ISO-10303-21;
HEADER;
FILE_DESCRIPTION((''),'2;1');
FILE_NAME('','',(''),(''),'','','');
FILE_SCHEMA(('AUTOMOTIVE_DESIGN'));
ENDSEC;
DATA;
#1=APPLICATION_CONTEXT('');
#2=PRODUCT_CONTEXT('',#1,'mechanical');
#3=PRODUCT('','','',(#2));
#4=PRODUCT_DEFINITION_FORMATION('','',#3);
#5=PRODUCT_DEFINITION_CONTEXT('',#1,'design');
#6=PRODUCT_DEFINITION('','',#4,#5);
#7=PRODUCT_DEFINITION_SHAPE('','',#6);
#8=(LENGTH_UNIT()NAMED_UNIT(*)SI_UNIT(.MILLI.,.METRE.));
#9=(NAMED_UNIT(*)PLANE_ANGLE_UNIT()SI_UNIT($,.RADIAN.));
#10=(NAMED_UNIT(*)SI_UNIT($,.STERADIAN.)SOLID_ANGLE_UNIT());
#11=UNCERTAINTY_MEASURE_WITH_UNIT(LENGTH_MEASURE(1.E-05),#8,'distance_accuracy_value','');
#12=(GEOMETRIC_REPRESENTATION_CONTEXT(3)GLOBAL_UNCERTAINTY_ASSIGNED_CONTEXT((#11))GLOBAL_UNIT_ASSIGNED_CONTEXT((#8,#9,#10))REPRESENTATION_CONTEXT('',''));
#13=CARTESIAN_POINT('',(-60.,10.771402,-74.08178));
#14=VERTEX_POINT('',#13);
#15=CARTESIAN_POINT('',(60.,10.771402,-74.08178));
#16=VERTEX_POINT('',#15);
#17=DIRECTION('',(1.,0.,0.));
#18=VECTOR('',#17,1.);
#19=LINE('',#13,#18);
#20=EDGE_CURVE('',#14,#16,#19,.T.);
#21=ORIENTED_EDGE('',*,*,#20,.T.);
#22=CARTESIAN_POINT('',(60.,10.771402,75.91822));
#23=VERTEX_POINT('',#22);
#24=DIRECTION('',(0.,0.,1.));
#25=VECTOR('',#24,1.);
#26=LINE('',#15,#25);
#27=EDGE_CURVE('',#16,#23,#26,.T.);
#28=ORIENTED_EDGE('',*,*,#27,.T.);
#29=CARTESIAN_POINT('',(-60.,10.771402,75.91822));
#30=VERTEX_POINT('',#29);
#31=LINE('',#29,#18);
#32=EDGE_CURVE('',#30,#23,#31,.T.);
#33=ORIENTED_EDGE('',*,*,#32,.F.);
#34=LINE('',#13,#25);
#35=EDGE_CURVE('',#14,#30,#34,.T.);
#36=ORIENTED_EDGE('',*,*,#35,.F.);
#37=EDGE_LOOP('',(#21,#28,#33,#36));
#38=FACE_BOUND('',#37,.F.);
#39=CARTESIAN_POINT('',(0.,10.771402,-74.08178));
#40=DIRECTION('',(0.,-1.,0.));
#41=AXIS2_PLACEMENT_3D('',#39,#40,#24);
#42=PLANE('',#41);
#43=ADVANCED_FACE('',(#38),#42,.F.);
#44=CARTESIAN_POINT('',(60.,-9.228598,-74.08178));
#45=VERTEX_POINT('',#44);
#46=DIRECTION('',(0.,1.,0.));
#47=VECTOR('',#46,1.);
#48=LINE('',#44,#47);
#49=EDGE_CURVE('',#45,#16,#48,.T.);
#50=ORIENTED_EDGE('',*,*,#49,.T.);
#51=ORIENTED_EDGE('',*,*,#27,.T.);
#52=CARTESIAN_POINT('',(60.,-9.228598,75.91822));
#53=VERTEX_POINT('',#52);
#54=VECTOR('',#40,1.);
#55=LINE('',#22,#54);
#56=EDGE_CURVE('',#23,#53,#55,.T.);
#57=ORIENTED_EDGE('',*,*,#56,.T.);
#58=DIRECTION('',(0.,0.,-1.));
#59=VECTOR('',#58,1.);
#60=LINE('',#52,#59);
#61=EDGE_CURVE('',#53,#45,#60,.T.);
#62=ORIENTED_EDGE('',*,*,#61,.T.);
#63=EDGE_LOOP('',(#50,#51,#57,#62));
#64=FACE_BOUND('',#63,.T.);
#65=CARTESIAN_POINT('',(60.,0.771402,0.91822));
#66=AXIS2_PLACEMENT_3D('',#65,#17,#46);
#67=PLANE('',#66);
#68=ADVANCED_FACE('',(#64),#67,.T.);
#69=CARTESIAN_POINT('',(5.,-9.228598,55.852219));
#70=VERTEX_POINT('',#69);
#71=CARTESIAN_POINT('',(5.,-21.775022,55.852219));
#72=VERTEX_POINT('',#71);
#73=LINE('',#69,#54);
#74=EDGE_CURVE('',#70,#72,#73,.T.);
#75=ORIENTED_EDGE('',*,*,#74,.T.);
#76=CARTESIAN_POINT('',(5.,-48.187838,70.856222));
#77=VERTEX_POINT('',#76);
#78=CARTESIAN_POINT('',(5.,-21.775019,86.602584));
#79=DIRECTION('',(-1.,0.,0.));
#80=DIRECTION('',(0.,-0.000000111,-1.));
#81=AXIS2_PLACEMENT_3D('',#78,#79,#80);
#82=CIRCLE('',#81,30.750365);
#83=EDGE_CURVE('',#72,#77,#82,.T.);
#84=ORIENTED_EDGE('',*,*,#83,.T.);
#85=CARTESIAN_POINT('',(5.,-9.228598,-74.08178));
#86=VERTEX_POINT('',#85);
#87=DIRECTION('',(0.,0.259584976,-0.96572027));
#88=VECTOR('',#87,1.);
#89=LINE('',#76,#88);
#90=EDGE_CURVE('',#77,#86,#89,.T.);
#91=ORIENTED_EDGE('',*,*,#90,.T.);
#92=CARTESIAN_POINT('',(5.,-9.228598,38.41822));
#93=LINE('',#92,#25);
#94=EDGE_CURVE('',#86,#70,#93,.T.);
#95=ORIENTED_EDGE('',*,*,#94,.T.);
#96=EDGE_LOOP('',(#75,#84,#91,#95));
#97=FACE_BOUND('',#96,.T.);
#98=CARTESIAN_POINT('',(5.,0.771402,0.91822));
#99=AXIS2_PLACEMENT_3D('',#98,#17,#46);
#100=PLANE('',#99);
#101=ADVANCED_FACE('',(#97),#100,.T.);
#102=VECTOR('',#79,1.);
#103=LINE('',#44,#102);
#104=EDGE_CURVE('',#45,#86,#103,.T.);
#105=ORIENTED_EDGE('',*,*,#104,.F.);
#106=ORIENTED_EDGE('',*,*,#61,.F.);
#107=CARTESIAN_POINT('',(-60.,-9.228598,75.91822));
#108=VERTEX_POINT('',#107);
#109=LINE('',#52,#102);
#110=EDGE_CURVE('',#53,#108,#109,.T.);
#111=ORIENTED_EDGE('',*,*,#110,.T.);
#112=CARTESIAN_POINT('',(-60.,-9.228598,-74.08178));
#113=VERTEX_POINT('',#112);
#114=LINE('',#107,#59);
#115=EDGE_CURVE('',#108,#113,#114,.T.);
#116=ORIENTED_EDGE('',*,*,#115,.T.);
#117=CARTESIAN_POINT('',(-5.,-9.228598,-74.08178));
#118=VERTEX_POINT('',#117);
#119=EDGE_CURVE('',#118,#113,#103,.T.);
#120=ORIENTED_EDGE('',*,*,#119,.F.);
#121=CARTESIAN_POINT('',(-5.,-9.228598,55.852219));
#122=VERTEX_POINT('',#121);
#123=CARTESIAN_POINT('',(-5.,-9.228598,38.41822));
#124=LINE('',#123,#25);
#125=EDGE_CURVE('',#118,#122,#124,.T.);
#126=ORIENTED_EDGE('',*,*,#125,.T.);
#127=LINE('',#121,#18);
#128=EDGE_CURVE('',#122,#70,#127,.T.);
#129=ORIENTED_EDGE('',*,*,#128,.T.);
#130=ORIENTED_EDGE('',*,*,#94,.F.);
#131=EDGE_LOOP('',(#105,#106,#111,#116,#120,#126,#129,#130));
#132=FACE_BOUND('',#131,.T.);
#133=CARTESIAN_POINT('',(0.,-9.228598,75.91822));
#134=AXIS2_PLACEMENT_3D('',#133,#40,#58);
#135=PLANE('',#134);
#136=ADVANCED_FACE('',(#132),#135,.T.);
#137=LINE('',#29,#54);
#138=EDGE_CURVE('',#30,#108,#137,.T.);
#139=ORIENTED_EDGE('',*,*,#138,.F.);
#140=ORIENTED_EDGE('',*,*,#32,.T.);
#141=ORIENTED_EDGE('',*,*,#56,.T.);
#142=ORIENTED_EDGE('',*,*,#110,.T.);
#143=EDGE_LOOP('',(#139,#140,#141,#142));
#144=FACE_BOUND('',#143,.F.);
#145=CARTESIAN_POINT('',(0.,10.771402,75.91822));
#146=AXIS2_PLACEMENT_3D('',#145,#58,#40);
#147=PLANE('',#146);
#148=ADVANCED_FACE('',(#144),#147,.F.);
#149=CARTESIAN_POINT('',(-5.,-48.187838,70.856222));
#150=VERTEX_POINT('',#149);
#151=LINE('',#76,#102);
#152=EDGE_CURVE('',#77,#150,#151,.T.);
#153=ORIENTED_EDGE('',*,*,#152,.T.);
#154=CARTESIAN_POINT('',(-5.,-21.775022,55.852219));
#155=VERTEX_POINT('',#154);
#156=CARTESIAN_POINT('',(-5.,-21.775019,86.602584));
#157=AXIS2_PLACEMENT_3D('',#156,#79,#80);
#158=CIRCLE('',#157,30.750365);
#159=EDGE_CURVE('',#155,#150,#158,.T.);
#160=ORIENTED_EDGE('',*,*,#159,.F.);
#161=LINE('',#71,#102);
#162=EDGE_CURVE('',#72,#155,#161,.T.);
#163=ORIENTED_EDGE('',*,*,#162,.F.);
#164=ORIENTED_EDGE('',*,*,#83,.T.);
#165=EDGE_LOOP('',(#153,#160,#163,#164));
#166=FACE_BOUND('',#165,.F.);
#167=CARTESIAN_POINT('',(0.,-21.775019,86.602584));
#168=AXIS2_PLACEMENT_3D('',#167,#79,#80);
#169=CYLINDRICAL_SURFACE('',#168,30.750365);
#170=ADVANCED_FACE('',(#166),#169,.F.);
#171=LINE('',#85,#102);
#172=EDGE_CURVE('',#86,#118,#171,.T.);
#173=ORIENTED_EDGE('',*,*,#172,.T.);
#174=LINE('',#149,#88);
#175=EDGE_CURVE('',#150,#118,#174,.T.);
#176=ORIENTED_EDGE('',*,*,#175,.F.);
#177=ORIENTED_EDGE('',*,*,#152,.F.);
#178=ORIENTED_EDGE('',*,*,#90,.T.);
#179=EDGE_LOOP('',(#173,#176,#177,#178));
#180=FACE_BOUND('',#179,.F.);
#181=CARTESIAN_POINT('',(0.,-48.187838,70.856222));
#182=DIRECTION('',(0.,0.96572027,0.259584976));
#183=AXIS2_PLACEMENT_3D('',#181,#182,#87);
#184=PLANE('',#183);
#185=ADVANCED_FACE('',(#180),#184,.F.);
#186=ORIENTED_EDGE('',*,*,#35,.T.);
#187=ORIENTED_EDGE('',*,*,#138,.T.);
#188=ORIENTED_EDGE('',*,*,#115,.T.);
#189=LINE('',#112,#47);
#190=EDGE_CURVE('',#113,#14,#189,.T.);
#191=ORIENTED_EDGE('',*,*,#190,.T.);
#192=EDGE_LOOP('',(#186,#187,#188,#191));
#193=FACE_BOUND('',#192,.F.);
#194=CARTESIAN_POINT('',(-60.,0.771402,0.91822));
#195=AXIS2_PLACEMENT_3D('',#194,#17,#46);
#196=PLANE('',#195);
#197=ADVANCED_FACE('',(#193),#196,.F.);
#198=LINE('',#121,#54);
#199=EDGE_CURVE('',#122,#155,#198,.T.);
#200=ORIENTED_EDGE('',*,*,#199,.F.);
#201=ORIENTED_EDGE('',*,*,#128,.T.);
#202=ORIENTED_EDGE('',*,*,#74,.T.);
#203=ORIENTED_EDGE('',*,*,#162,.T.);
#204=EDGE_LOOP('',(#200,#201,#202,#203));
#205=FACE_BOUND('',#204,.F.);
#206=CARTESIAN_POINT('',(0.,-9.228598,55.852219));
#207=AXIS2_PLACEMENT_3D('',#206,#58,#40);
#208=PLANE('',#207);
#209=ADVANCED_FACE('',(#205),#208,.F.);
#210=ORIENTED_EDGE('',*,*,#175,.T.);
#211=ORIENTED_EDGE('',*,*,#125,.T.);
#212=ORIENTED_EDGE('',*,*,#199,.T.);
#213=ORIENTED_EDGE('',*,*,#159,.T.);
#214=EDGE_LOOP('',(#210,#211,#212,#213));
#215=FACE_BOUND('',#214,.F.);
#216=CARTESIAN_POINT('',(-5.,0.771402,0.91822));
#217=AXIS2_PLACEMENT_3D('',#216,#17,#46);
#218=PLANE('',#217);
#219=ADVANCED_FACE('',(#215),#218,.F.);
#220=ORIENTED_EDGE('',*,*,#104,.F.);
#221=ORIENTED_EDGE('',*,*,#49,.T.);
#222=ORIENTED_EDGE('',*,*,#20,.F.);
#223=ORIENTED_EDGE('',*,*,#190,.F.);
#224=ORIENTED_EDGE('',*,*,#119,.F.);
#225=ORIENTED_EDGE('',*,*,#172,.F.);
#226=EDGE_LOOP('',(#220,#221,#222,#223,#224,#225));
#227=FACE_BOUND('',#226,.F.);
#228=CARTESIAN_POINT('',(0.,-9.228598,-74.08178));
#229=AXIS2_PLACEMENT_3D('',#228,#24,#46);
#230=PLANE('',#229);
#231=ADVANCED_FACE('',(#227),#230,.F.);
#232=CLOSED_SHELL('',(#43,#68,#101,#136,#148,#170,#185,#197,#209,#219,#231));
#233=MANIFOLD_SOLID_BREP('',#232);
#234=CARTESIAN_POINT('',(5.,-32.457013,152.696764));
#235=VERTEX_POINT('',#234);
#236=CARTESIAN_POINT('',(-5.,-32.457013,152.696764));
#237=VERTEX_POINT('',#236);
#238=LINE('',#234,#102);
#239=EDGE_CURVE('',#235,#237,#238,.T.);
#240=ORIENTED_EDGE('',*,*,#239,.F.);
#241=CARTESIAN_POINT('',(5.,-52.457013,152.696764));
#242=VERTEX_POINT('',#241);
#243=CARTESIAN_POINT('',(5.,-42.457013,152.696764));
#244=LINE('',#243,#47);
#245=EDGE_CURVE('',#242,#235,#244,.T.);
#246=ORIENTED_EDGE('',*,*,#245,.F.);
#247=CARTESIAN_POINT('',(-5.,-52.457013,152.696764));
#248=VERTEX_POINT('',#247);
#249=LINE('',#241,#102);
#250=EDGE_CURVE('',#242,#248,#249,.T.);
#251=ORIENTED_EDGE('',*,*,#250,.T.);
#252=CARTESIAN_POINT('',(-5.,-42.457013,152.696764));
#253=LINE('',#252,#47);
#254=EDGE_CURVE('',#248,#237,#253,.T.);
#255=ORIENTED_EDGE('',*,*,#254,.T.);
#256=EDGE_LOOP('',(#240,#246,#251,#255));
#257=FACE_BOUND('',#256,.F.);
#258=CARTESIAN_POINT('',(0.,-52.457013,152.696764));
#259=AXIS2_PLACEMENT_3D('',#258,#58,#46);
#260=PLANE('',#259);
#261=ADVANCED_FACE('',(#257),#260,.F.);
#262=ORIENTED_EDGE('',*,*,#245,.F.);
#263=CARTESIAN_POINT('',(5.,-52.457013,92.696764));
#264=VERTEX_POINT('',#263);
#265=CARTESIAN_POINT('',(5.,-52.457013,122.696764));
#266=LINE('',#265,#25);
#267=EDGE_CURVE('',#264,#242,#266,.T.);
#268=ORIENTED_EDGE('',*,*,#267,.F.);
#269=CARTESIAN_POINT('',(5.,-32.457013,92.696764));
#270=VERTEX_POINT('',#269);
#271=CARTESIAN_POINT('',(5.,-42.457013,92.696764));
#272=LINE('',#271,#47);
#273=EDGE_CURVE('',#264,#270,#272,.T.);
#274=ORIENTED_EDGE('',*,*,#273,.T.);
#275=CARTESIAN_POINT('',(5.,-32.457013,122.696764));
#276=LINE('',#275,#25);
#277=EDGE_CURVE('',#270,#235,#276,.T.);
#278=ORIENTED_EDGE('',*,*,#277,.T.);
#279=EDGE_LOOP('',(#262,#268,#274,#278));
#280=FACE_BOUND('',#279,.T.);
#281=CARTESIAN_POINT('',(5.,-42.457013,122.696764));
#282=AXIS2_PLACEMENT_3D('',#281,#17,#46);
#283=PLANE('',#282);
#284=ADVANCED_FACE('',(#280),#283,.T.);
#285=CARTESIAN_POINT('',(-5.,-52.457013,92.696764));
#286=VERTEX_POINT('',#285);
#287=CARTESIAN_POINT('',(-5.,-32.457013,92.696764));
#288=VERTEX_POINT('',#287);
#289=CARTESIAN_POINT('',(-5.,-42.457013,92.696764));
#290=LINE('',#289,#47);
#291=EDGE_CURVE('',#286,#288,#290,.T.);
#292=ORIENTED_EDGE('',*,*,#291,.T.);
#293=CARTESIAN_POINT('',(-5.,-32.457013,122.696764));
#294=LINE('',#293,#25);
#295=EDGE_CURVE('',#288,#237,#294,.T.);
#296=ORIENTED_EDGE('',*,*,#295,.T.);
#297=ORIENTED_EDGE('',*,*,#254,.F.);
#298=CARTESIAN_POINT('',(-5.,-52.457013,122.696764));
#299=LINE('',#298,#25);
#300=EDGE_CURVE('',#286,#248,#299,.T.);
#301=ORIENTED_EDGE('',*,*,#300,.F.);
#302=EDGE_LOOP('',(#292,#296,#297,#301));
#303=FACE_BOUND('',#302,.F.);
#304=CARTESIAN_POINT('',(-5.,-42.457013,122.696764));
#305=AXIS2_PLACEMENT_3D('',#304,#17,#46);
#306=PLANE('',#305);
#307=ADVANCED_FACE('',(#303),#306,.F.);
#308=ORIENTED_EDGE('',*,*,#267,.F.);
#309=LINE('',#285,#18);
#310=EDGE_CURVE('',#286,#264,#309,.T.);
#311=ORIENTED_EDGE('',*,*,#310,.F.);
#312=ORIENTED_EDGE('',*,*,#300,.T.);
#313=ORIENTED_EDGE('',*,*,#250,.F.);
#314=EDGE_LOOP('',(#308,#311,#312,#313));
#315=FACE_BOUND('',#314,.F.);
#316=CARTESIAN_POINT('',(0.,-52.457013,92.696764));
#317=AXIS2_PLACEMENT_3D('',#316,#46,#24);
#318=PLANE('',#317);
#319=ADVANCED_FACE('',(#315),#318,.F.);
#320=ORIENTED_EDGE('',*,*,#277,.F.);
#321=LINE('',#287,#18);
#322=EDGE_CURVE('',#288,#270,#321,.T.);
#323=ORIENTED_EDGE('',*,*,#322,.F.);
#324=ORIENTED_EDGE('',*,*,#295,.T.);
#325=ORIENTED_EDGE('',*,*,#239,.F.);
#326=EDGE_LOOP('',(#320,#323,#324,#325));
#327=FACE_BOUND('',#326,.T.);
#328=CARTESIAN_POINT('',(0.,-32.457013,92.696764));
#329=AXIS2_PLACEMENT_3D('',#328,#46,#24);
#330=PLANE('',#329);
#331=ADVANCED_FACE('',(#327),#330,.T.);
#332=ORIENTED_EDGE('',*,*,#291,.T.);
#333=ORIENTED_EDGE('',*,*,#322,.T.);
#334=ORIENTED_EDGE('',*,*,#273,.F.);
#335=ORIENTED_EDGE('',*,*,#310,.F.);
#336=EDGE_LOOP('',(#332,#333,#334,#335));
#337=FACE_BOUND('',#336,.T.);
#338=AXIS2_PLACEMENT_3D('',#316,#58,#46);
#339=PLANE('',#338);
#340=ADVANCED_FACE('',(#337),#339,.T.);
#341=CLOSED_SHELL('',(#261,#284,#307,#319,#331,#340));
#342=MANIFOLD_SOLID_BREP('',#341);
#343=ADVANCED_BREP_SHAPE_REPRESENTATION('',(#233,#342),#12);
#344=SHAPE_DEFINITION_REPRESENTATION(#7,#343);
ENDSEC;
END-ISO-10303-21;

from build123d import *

# Parameters (mm, degrees)
F1_DEPTH = 60
F0_W     = 20
F0_H     = 60
F2_DEPTH = 5


with BuildPart() as f1:
    # F0 (on Right) → F1 (new body, symmetric)
    with BuildSketch(Plane.YZ):
        Polygon((-9.228598, 55.852219), (-9.228598, -74.08178), (10.771402, -74.08178), (10.771402, 75.91822), (-9.228598, 75.91822), align=None)
    extrude(amount=F1_DEPTH, both=True)

    # F0 (on Right) → F2 (join, symmetric)
    with BuildSketch(Plane.YZ):
        Polygon((-9.228598, 55.852219), (-9.228598, -74.08178), (10.771402, -74.08178), (10.771402, 75.91822), (-9.228598, 75.91822), align=None)
        with BuildLine():
            Line((-48.187838, 70.856222), (-9.228598, -74.08178))
            Line((-9.228598, -74.08178), (-9.228598, 55.852219))
            Line((-9.228598, 55.852219), (-21.775022, 55.852219))
            ThreePointArc((-21.775022, 55.852219), (-36.963479, 59.865052), (-48.187838, 70.856222))
        make_face()
        with Locations((-42.457013, 122.696764)):
            Rectangle(F0_W, F0_H)
    extrude(amount=F2_DEPTH, both=True)


solid = f1.part
